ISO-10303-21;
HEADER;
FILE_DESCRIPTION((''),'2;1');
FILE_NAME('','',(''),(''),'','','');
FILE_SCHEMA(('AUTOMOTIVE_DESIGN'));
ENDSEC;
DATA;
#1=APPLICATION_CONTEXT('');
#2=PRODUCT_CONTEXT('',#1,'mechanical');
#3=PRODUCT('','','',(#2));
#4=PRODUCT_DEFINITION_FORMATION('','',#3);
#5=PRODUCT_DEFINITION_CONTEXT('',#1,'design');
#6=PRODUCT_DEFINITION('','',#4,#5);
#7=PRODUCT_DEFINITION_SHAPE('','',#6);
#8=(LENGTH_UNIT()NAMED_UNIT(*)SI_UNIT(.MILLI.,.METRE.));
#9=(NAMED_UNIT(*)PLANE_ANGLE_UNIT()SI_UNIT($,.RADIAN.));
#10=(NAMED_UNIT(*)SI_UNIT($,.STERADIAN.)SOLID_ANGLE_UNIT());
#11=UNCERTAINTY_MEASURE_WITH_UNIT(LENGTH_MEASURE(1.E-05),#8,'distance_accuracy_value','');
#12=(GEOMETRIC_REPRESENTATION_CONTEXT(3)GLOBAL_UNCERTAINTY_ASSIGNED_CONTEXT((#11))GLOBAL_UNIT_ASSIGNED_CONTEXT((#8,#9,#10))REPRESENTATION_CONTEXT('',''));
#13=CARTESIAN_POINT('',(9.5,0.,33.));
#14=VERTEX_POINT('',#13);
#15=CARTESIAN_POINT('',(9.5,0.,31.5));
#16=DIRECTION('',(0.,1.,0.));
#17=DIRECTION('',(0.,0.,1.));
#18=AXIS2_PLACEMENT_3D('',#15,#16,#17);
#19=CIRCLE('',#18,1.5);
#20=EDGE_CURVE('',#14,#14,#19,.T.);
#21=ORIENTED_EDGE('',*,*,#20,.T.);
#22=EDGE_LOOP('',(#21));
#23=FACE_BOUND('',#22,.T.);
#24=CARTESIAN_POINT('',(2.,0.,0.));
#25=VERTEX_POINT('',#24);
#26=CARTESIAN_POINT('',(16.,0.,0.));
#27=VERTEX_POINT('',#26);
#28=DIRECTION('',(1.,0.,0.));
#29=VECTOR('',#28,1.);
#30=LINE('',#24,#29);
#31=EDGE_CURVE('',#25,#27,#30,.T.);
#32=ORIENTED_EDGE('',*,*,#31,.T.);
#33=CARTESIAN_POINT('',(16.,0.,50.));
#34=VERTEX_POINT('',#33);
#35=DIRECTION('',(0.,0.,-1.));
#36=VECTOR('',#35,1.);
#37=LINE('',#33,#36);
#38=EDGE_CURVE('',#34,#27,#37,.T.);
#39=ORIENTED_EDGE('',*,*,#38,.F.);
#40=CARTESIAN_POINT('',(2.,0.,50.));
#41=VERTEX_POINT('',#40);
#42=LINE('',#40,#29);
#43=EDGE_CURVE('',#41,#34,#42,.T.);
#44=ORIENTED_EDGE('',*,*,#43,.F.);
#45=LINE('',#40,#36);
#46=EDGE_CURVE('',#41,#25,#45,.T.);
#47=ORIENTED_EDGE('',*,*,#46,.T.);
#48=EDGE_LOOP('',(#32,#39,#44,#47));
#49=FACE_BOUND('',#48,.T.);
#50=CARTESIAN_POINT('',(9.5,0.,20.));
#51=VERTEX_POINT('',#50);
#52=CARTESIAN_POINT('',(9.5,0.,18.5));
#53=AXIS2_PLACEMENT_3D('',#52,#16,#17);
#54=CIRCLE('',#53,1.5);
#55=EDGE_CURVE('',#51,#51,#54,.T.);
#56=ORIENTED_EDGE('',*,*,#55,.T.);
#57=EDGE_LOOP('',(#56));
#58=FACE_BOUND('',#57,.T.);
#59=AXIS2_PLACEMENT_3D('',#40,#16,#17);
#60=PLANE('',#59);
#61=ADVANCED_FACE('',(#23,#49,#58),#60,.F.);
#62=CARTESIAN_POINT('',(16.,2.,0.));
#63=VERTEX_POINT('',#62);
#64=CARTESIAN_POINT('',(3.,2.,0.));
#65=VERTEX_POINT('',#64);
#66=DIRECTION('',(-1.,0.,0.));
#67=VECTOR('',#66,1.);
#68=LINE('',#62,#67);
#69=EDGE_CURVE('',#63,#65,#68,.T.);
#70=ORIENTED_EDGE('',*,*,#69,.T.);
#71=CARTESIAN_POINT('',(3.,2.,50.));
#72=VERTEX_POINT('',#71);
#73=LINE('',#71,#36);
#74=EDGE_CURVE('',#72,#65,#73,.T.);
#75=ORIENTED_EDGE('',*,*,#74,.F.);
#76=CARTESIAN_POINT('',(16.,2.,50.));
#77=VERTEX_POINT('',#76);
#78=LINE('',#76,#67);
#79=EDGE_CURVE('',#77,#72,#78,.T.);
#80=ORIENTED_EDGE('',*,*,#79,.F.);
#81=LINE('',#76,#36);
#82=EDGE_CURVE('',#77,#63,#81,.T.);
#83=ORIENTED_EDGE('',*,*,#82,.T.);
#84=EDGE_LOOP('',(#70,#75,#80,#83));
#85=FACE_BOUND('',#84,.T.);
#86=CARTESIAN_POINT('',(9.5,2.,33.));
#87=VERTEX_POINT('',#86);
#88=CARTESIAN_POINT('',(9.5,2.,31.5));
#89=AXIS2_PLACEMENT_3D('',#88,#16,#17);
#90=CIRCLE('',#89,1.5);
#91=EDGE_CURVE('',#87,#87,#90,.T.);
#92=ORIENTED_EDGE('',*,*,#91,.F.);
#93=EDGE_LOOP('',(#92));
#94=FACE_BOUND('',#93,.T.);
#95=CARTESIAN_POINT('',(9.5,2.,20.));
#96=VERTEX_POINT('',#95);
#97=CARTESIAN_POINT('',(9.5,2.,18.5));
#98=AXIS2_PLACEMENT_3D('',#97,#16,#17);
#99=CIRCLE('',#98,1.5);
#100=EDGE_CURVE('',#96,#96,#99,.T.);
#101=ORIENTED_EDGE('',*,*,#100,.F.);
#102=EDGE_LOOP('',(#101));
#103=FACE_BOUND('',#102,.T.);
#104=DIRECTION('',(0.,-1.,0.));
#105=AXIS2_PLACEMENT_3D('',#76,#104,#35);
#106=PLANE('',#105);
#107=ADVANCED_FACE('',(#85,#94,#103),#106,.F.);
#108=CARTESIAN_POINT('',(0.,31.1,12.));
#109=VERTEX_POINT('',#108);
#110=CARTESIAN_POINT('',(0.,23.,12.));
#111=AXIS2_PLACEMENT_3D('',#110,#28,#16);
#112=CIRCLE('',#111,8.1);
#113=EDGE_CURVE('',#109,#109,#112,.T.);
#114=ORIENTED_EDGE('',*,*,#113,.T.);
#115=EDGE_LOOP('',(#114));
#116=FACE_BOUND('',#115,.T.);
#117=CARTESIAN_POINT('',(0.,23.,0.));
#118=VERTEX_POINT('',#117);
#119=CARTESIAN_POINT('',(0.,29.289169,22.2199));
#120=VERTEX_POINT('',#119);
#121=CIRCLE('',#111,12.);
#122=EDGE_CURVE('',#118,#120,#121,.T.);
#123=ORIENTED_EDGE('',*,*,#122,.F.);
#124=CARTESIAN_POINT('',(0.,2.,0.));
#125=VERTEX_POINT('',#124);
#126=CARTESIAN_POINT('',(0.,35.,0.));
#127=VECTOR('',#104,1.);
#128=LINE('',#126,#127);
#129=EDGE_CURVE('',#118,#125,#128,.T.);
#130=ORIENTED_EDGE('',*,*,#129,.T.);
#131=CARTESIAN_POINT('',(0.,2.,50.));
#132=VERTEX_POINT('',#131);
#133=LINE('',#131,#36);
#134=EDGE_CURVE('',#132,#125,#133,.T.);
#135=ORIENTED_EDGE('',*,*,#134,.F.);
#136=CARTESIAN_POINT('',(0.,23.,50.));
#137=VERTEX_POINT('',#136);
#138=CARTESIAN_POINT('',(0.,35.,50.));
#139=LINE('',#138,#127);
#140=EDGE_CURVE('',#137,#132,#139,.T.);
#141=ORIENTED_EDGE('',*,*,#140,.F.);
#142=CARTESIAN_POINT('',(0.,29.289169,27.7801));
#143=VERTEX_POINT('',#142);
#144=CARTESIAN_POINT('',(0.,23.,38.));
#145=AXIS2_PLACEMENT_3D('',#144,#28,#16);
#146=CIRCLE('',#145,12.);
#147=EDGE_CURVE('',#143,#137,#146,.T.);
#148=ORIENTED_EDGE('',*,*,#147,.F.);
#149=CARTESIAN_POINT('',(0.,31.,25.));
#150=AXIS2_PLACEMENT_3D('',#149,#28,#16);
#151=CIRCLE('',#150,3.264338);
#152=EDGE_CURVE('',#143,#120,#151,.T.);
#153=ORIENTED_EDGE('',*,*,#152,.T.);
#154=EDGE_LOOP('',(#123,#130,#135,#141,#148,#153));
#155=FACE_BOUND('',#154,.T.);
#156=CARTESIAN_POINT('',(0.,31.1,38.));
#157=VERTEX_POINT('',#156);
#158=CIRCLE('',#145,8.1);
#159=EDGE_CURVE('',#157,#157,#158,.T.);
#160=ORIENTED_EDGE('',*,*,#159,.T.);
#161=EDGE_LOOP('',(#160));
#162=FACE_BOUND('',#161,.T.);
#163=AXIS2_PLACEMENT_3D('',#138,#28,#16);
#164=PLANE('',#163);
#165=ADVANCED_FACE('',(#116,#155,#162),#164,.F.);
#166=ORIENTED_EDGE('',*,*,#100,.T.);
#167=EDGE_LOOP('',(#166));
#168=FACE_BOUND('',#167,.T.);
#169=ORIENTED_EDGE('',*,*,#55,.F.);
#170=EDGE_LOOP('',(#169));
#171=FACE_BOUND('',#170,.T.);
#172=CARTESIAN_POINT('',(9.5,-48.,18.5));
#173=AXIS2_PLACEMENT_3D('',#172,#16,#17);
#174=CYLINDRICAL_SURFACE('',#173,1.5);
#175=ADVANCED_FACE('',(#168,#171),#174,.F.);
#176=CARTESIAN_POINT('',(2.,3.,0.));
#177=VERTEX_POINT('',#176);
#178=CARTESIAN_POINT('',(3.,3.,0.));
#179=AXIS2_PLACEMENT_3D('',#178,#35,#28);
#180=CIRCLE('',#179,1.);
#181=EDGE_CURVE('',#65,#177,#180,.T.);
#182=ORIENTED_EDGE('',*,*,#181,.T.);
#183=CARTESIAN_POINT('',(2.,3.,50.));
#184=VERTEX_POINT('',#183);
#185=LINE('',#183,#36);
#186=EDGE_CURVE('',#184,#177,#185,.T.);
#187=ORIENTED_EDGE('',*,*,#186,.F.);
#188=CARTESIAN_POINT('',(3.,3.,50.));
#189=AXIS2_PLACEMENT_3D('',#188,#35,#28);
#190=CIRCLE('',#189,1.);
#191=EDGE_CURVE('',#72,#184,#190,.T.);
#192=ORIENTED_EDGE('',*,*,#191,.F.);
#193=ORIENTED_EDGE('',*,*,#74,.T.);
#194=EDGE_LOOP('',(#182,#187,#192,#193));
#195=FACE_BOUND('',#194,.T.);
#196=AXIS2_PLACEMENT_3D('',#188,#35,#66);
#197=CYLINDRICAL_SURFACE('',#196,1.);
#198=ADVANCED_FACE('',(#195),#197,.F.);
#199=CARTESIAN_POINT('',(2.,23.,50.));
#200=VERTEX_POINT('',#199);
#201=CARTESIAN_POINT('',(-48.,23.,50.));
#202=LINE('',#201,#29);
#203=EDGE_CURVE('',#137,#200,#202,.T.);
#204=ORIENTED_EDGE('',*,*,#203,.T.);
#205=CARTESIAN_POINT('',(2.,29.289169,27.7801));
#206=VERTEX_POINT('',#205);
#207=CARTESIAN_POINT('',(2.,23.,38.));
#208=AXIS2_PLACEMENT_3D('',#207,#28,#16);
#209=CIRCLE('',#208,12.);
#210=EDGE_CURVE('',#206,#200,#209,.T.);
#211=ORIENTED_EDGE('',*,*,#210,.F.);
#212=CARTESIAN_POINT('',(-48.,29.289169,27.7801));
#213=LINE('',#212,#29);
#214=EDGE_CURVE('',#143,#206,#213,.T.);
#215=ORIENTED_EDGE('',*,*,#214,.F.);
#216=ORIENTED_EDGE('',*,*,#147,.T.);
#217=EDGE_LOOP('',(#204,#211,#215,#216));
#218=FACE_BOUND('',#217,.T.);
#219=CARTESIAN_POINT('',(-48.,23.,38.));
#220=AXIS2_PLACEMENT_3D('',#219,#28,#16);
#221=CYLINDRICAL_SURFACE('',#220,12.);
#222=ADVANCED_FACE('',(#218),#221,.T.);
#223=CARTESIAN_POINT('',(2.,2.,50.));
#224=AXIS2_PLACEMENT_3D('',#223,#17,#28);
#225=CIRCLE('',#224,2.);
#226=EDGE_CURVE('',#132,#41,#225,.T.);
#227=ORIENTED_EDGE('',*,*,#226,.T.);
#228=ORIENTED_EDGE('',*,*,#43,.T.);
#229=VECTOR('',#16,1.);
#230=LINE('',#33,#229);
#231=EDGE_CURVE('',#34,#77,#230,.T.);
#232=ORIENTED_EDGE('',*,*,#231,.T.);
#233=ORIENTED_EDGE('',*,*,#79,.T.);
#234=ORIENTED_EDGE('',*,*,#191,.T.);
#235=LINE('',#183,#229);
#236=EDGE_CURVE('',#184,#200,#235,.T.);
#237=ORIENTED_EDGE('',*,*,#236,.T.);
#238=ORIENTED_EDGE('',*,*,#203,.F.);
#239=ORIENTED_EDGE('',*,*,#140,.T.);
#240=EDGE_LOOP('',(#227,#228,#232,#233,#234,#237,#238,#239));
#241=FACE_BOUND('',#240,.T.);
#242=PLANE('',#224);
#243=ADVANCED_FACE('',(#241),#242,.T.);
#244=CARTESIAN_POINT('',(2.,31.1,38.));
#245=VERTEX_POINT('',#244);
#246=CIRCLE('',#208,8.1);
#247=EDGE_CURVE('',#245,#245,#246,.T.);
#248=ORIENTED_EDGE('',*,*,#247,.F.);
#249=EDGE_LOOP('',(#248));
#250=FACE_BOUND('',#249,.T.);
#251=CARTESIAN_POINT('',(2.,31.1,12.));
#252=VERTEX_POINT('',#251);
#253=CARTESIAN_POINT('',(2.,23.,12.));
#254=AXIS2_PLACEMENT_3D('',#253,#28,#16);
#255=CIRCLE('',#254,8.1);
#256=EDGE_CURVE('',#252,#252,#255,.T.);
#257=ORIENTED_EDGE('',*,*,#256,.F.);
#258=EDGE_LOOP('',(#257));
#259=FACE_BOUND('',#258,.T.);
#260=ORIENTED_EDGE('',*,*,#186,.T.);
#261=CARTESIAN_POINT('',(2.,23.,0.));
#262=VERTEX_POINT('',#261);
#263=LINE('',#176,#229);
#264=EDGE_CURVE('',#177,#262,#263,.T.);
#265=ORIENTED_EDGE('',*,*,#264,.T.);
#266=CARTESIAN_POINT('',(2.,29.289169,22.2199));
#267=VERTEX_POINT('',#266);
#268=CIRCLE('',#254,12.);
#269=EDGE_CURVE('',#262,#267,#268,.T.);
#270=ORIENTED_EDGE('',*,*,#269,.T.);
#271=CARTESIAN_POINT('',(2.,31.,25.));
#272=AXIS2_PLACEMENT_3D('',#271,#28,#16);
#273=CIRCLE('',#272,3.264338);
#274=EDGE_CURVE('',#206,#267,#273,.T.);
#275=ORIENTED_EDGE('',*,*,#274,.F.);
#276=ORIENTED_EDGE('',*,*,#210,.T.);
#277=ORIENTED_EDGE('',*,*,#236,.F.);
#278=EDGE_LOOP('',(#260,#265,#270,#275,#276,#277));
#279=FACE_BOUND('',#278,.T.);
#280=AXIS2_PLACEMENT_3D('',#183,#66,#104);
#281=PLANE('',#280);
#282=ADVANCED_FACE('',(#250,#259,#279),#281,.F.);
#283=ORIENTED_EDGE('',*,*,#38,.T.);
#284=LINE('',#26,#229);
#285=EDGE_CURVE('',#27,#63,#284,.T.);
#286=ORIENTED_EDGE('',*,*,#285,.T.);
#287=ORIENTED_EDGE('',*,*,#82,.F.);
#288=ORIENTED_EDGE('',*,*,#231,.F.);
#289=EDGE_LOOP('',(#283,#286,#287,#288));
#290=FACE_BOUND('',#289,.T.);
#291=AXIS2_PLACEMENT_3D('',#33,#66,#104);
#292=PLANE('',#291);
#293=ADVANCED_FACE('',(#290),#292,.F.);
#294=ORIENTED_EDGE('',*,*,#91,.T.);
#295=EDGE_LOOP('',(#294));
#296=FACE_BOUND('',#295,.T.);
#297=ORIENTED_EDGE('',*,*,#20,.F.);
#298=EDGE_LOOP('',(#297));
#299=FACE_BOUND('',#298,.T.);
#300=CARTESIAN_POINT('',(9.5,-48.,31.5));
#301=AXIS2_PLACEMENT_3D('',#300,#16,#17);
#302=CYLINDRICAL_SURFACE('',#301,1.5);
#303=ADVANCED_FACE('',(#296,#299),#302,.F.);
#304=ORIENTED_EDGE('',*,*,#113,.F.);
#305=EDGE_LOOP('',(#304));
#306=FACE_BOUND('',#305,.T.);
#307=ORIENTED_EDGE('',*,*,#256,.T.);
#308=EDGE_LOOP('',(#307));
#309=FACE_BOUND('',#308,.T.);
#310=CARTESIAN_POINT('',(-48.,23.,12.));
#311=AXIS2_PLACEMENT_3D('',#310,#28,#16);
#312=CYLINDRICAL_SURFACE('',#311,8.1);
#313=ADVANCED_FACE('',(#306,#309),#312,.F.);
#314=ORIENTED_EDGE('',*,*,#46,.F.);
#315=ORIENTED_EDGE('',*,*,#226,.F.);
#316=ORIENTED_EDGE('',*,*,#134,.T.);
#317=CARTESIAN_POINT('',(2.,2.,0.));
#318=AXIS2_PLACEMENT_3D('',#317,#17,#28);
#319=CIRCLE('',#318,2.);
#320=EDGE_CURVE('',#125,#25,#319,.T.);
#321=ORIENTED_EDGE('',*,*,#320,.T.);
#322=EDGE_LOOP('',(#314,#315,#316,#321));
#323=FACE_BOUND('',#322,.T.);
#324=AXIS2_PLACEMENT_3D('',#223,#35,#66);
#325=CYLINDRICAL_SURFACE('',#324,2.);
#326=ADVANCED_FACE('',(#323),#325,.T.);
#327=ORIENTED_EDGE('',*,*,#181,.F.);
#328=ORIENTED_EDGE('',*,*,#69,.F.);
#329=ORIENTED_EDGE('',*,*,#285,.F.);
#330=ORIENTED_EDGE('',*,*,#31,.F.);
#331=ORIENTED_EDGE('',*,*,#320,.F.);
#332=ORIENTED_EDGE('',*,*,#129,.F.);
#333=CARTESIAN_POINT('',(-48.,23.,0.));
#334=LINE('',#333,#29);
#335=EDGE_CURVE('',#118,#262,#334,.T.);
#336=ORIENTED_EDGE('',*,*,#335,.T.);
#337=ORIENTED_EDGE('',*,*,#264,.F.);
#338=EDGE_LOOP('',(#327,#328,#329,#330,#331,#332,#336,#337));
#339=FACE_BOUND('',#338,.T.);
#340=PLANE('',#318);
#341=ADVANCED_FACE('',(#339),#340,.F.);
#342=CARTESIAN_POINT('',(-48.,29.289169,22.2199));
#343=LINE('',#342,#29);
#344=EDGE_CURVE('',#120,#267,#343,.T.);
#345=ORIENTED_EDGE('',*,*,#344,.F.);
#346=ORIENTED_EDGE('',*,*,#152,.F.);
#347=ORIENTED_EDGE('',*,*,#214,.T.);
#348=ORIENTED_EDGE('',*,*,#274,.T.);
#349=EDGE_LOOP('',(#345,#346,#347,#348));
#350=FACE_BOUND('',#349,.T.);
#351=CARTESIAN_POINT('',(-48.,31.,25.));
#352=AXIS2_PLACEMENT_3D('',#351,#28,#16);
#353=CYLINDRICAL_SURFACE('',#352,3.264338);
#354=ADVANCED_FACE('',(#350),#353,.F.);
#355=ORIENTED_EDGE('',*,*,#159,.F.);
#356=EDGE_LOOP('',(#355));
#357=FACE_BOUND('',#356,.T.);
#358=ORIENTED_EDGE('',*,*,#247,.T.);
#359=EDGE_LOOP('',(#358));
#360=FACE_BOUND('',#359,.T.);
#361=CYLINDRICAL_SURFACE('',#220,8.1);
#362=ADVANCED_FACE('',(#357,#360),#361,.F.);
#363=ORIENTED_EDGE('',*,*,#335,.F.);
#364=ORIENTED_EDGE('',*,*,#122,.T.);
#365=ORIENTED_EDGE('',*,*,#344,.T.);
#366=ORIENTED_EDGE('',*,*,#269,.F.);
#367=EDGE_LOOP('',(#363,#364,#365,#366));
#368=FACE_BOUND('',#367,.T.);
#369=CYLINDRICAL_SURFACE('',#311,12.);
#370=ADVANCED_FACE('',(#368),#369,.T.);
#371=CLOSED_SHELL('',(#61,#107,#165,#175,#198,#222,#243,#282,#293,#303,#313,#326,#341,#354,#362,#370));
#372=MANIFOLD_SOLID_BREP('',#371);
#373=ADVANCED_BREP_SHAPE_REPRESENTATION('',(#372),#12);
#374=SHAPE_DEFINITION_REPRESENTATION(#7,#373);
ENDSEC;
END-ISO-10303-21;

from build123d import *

# Parameters (mm, degrees)
BOSS_EXTRUDE1_DEPTH = 50
SKETCH2_R           = 1.5
CUT_EXTRUDE1_DEPTH  = 50
SKETCH3_R           = 8.1
CUT_EXTRUDE2_DEPTH  = 50


with BuildPart() as part:
    # Sketch1 → Boss-Extrude1 (new body)
    with BuildSketch(Plane.XY):
        with BuildLine():
            Line((0, 35), (0, 2))
            ThreePointArc((0, 2), (0.585786438, 0.585786438), (2, 0))
            Line((2, 0), (16, 0))
            Line((16, 0), (16, 2))
            Line((16, 2), (3, 2))
            ThreePointArc((3, 2), (2.292893219, 2.292893219), (2, 3))
            Line((2, 3), (2, 35))
            Line((2, 35), (0, 35))
        make_face()
    extrude(amount=BOSS_EXTRUDE1_DEPTH)

    # Sketch2 → Cut-Extrude1 (cut)
    with BuildSketch(Plane(origin=(0, 2, 0), x_dir=(1, 0, 0), z_dir=(0, 1, 0))):
        with Locations(Location((9.5, -18.5, 0), (0, 0, 270))):
            Circle(SKETCH2_R)
        with Locations(Location((9.5, -31.5, 0), (0, 0, 270))):
            Circle(SKETCH2_R)
    extrude(amount=-CUT_EXTRUDE1_DEPTH, mode=Mode.SUBTRACT)

    # Sketch3 → Cut-Extrude2 (cut)
    with BuildSketch(Plane(origin=(2, 0, 0), x_dir=(0, 0, -1), z_dir=(1, 0, 0))):
        with Locations(Location((-12, 23, 0), (0, 0, 90))):
            Circle(SKETCH3_R)
        with Locations(Location((-38, 23, 0), (0, 0, 90))):
            Circle(SKETCH3_R)
        with BuildLine():
            ThreePointArc((-50, 23), (-46.485281374, 31.485281374), (-38, 35))
            Line((-38, 35), (-50, 35))
            Line((-50, 35), (-50, 23))
        make_face()
        with BuildLine():
            ThreePointArc((-22.2198998, 29.289169108), (-17.8536301, 33.475448184), (-12, 35))
            Line((-12, 35), (-38, 35))
            ThreePointArc((-38, 35), (-32.1463699, 33.475448184), (-27.7801002, 29.289169108))
            ThreePointArc((-27.7801002, 29.289169108), (-25, 27.735662478), (-22.2198998, 29.289169108))
        make_face()
        with BuildLine():
            Line((0, 35), (-12, 35))
            ThreePointArc((-12, 35), (-3.514718626, 31.485281374), (0, 23))
            Line((0, 23), (0, 35))
        make_face()
    extrude(amount=-CUT_EXTRUDE2_DEPTH, mode=Mode.SUBTRACT)


solid = part.part
